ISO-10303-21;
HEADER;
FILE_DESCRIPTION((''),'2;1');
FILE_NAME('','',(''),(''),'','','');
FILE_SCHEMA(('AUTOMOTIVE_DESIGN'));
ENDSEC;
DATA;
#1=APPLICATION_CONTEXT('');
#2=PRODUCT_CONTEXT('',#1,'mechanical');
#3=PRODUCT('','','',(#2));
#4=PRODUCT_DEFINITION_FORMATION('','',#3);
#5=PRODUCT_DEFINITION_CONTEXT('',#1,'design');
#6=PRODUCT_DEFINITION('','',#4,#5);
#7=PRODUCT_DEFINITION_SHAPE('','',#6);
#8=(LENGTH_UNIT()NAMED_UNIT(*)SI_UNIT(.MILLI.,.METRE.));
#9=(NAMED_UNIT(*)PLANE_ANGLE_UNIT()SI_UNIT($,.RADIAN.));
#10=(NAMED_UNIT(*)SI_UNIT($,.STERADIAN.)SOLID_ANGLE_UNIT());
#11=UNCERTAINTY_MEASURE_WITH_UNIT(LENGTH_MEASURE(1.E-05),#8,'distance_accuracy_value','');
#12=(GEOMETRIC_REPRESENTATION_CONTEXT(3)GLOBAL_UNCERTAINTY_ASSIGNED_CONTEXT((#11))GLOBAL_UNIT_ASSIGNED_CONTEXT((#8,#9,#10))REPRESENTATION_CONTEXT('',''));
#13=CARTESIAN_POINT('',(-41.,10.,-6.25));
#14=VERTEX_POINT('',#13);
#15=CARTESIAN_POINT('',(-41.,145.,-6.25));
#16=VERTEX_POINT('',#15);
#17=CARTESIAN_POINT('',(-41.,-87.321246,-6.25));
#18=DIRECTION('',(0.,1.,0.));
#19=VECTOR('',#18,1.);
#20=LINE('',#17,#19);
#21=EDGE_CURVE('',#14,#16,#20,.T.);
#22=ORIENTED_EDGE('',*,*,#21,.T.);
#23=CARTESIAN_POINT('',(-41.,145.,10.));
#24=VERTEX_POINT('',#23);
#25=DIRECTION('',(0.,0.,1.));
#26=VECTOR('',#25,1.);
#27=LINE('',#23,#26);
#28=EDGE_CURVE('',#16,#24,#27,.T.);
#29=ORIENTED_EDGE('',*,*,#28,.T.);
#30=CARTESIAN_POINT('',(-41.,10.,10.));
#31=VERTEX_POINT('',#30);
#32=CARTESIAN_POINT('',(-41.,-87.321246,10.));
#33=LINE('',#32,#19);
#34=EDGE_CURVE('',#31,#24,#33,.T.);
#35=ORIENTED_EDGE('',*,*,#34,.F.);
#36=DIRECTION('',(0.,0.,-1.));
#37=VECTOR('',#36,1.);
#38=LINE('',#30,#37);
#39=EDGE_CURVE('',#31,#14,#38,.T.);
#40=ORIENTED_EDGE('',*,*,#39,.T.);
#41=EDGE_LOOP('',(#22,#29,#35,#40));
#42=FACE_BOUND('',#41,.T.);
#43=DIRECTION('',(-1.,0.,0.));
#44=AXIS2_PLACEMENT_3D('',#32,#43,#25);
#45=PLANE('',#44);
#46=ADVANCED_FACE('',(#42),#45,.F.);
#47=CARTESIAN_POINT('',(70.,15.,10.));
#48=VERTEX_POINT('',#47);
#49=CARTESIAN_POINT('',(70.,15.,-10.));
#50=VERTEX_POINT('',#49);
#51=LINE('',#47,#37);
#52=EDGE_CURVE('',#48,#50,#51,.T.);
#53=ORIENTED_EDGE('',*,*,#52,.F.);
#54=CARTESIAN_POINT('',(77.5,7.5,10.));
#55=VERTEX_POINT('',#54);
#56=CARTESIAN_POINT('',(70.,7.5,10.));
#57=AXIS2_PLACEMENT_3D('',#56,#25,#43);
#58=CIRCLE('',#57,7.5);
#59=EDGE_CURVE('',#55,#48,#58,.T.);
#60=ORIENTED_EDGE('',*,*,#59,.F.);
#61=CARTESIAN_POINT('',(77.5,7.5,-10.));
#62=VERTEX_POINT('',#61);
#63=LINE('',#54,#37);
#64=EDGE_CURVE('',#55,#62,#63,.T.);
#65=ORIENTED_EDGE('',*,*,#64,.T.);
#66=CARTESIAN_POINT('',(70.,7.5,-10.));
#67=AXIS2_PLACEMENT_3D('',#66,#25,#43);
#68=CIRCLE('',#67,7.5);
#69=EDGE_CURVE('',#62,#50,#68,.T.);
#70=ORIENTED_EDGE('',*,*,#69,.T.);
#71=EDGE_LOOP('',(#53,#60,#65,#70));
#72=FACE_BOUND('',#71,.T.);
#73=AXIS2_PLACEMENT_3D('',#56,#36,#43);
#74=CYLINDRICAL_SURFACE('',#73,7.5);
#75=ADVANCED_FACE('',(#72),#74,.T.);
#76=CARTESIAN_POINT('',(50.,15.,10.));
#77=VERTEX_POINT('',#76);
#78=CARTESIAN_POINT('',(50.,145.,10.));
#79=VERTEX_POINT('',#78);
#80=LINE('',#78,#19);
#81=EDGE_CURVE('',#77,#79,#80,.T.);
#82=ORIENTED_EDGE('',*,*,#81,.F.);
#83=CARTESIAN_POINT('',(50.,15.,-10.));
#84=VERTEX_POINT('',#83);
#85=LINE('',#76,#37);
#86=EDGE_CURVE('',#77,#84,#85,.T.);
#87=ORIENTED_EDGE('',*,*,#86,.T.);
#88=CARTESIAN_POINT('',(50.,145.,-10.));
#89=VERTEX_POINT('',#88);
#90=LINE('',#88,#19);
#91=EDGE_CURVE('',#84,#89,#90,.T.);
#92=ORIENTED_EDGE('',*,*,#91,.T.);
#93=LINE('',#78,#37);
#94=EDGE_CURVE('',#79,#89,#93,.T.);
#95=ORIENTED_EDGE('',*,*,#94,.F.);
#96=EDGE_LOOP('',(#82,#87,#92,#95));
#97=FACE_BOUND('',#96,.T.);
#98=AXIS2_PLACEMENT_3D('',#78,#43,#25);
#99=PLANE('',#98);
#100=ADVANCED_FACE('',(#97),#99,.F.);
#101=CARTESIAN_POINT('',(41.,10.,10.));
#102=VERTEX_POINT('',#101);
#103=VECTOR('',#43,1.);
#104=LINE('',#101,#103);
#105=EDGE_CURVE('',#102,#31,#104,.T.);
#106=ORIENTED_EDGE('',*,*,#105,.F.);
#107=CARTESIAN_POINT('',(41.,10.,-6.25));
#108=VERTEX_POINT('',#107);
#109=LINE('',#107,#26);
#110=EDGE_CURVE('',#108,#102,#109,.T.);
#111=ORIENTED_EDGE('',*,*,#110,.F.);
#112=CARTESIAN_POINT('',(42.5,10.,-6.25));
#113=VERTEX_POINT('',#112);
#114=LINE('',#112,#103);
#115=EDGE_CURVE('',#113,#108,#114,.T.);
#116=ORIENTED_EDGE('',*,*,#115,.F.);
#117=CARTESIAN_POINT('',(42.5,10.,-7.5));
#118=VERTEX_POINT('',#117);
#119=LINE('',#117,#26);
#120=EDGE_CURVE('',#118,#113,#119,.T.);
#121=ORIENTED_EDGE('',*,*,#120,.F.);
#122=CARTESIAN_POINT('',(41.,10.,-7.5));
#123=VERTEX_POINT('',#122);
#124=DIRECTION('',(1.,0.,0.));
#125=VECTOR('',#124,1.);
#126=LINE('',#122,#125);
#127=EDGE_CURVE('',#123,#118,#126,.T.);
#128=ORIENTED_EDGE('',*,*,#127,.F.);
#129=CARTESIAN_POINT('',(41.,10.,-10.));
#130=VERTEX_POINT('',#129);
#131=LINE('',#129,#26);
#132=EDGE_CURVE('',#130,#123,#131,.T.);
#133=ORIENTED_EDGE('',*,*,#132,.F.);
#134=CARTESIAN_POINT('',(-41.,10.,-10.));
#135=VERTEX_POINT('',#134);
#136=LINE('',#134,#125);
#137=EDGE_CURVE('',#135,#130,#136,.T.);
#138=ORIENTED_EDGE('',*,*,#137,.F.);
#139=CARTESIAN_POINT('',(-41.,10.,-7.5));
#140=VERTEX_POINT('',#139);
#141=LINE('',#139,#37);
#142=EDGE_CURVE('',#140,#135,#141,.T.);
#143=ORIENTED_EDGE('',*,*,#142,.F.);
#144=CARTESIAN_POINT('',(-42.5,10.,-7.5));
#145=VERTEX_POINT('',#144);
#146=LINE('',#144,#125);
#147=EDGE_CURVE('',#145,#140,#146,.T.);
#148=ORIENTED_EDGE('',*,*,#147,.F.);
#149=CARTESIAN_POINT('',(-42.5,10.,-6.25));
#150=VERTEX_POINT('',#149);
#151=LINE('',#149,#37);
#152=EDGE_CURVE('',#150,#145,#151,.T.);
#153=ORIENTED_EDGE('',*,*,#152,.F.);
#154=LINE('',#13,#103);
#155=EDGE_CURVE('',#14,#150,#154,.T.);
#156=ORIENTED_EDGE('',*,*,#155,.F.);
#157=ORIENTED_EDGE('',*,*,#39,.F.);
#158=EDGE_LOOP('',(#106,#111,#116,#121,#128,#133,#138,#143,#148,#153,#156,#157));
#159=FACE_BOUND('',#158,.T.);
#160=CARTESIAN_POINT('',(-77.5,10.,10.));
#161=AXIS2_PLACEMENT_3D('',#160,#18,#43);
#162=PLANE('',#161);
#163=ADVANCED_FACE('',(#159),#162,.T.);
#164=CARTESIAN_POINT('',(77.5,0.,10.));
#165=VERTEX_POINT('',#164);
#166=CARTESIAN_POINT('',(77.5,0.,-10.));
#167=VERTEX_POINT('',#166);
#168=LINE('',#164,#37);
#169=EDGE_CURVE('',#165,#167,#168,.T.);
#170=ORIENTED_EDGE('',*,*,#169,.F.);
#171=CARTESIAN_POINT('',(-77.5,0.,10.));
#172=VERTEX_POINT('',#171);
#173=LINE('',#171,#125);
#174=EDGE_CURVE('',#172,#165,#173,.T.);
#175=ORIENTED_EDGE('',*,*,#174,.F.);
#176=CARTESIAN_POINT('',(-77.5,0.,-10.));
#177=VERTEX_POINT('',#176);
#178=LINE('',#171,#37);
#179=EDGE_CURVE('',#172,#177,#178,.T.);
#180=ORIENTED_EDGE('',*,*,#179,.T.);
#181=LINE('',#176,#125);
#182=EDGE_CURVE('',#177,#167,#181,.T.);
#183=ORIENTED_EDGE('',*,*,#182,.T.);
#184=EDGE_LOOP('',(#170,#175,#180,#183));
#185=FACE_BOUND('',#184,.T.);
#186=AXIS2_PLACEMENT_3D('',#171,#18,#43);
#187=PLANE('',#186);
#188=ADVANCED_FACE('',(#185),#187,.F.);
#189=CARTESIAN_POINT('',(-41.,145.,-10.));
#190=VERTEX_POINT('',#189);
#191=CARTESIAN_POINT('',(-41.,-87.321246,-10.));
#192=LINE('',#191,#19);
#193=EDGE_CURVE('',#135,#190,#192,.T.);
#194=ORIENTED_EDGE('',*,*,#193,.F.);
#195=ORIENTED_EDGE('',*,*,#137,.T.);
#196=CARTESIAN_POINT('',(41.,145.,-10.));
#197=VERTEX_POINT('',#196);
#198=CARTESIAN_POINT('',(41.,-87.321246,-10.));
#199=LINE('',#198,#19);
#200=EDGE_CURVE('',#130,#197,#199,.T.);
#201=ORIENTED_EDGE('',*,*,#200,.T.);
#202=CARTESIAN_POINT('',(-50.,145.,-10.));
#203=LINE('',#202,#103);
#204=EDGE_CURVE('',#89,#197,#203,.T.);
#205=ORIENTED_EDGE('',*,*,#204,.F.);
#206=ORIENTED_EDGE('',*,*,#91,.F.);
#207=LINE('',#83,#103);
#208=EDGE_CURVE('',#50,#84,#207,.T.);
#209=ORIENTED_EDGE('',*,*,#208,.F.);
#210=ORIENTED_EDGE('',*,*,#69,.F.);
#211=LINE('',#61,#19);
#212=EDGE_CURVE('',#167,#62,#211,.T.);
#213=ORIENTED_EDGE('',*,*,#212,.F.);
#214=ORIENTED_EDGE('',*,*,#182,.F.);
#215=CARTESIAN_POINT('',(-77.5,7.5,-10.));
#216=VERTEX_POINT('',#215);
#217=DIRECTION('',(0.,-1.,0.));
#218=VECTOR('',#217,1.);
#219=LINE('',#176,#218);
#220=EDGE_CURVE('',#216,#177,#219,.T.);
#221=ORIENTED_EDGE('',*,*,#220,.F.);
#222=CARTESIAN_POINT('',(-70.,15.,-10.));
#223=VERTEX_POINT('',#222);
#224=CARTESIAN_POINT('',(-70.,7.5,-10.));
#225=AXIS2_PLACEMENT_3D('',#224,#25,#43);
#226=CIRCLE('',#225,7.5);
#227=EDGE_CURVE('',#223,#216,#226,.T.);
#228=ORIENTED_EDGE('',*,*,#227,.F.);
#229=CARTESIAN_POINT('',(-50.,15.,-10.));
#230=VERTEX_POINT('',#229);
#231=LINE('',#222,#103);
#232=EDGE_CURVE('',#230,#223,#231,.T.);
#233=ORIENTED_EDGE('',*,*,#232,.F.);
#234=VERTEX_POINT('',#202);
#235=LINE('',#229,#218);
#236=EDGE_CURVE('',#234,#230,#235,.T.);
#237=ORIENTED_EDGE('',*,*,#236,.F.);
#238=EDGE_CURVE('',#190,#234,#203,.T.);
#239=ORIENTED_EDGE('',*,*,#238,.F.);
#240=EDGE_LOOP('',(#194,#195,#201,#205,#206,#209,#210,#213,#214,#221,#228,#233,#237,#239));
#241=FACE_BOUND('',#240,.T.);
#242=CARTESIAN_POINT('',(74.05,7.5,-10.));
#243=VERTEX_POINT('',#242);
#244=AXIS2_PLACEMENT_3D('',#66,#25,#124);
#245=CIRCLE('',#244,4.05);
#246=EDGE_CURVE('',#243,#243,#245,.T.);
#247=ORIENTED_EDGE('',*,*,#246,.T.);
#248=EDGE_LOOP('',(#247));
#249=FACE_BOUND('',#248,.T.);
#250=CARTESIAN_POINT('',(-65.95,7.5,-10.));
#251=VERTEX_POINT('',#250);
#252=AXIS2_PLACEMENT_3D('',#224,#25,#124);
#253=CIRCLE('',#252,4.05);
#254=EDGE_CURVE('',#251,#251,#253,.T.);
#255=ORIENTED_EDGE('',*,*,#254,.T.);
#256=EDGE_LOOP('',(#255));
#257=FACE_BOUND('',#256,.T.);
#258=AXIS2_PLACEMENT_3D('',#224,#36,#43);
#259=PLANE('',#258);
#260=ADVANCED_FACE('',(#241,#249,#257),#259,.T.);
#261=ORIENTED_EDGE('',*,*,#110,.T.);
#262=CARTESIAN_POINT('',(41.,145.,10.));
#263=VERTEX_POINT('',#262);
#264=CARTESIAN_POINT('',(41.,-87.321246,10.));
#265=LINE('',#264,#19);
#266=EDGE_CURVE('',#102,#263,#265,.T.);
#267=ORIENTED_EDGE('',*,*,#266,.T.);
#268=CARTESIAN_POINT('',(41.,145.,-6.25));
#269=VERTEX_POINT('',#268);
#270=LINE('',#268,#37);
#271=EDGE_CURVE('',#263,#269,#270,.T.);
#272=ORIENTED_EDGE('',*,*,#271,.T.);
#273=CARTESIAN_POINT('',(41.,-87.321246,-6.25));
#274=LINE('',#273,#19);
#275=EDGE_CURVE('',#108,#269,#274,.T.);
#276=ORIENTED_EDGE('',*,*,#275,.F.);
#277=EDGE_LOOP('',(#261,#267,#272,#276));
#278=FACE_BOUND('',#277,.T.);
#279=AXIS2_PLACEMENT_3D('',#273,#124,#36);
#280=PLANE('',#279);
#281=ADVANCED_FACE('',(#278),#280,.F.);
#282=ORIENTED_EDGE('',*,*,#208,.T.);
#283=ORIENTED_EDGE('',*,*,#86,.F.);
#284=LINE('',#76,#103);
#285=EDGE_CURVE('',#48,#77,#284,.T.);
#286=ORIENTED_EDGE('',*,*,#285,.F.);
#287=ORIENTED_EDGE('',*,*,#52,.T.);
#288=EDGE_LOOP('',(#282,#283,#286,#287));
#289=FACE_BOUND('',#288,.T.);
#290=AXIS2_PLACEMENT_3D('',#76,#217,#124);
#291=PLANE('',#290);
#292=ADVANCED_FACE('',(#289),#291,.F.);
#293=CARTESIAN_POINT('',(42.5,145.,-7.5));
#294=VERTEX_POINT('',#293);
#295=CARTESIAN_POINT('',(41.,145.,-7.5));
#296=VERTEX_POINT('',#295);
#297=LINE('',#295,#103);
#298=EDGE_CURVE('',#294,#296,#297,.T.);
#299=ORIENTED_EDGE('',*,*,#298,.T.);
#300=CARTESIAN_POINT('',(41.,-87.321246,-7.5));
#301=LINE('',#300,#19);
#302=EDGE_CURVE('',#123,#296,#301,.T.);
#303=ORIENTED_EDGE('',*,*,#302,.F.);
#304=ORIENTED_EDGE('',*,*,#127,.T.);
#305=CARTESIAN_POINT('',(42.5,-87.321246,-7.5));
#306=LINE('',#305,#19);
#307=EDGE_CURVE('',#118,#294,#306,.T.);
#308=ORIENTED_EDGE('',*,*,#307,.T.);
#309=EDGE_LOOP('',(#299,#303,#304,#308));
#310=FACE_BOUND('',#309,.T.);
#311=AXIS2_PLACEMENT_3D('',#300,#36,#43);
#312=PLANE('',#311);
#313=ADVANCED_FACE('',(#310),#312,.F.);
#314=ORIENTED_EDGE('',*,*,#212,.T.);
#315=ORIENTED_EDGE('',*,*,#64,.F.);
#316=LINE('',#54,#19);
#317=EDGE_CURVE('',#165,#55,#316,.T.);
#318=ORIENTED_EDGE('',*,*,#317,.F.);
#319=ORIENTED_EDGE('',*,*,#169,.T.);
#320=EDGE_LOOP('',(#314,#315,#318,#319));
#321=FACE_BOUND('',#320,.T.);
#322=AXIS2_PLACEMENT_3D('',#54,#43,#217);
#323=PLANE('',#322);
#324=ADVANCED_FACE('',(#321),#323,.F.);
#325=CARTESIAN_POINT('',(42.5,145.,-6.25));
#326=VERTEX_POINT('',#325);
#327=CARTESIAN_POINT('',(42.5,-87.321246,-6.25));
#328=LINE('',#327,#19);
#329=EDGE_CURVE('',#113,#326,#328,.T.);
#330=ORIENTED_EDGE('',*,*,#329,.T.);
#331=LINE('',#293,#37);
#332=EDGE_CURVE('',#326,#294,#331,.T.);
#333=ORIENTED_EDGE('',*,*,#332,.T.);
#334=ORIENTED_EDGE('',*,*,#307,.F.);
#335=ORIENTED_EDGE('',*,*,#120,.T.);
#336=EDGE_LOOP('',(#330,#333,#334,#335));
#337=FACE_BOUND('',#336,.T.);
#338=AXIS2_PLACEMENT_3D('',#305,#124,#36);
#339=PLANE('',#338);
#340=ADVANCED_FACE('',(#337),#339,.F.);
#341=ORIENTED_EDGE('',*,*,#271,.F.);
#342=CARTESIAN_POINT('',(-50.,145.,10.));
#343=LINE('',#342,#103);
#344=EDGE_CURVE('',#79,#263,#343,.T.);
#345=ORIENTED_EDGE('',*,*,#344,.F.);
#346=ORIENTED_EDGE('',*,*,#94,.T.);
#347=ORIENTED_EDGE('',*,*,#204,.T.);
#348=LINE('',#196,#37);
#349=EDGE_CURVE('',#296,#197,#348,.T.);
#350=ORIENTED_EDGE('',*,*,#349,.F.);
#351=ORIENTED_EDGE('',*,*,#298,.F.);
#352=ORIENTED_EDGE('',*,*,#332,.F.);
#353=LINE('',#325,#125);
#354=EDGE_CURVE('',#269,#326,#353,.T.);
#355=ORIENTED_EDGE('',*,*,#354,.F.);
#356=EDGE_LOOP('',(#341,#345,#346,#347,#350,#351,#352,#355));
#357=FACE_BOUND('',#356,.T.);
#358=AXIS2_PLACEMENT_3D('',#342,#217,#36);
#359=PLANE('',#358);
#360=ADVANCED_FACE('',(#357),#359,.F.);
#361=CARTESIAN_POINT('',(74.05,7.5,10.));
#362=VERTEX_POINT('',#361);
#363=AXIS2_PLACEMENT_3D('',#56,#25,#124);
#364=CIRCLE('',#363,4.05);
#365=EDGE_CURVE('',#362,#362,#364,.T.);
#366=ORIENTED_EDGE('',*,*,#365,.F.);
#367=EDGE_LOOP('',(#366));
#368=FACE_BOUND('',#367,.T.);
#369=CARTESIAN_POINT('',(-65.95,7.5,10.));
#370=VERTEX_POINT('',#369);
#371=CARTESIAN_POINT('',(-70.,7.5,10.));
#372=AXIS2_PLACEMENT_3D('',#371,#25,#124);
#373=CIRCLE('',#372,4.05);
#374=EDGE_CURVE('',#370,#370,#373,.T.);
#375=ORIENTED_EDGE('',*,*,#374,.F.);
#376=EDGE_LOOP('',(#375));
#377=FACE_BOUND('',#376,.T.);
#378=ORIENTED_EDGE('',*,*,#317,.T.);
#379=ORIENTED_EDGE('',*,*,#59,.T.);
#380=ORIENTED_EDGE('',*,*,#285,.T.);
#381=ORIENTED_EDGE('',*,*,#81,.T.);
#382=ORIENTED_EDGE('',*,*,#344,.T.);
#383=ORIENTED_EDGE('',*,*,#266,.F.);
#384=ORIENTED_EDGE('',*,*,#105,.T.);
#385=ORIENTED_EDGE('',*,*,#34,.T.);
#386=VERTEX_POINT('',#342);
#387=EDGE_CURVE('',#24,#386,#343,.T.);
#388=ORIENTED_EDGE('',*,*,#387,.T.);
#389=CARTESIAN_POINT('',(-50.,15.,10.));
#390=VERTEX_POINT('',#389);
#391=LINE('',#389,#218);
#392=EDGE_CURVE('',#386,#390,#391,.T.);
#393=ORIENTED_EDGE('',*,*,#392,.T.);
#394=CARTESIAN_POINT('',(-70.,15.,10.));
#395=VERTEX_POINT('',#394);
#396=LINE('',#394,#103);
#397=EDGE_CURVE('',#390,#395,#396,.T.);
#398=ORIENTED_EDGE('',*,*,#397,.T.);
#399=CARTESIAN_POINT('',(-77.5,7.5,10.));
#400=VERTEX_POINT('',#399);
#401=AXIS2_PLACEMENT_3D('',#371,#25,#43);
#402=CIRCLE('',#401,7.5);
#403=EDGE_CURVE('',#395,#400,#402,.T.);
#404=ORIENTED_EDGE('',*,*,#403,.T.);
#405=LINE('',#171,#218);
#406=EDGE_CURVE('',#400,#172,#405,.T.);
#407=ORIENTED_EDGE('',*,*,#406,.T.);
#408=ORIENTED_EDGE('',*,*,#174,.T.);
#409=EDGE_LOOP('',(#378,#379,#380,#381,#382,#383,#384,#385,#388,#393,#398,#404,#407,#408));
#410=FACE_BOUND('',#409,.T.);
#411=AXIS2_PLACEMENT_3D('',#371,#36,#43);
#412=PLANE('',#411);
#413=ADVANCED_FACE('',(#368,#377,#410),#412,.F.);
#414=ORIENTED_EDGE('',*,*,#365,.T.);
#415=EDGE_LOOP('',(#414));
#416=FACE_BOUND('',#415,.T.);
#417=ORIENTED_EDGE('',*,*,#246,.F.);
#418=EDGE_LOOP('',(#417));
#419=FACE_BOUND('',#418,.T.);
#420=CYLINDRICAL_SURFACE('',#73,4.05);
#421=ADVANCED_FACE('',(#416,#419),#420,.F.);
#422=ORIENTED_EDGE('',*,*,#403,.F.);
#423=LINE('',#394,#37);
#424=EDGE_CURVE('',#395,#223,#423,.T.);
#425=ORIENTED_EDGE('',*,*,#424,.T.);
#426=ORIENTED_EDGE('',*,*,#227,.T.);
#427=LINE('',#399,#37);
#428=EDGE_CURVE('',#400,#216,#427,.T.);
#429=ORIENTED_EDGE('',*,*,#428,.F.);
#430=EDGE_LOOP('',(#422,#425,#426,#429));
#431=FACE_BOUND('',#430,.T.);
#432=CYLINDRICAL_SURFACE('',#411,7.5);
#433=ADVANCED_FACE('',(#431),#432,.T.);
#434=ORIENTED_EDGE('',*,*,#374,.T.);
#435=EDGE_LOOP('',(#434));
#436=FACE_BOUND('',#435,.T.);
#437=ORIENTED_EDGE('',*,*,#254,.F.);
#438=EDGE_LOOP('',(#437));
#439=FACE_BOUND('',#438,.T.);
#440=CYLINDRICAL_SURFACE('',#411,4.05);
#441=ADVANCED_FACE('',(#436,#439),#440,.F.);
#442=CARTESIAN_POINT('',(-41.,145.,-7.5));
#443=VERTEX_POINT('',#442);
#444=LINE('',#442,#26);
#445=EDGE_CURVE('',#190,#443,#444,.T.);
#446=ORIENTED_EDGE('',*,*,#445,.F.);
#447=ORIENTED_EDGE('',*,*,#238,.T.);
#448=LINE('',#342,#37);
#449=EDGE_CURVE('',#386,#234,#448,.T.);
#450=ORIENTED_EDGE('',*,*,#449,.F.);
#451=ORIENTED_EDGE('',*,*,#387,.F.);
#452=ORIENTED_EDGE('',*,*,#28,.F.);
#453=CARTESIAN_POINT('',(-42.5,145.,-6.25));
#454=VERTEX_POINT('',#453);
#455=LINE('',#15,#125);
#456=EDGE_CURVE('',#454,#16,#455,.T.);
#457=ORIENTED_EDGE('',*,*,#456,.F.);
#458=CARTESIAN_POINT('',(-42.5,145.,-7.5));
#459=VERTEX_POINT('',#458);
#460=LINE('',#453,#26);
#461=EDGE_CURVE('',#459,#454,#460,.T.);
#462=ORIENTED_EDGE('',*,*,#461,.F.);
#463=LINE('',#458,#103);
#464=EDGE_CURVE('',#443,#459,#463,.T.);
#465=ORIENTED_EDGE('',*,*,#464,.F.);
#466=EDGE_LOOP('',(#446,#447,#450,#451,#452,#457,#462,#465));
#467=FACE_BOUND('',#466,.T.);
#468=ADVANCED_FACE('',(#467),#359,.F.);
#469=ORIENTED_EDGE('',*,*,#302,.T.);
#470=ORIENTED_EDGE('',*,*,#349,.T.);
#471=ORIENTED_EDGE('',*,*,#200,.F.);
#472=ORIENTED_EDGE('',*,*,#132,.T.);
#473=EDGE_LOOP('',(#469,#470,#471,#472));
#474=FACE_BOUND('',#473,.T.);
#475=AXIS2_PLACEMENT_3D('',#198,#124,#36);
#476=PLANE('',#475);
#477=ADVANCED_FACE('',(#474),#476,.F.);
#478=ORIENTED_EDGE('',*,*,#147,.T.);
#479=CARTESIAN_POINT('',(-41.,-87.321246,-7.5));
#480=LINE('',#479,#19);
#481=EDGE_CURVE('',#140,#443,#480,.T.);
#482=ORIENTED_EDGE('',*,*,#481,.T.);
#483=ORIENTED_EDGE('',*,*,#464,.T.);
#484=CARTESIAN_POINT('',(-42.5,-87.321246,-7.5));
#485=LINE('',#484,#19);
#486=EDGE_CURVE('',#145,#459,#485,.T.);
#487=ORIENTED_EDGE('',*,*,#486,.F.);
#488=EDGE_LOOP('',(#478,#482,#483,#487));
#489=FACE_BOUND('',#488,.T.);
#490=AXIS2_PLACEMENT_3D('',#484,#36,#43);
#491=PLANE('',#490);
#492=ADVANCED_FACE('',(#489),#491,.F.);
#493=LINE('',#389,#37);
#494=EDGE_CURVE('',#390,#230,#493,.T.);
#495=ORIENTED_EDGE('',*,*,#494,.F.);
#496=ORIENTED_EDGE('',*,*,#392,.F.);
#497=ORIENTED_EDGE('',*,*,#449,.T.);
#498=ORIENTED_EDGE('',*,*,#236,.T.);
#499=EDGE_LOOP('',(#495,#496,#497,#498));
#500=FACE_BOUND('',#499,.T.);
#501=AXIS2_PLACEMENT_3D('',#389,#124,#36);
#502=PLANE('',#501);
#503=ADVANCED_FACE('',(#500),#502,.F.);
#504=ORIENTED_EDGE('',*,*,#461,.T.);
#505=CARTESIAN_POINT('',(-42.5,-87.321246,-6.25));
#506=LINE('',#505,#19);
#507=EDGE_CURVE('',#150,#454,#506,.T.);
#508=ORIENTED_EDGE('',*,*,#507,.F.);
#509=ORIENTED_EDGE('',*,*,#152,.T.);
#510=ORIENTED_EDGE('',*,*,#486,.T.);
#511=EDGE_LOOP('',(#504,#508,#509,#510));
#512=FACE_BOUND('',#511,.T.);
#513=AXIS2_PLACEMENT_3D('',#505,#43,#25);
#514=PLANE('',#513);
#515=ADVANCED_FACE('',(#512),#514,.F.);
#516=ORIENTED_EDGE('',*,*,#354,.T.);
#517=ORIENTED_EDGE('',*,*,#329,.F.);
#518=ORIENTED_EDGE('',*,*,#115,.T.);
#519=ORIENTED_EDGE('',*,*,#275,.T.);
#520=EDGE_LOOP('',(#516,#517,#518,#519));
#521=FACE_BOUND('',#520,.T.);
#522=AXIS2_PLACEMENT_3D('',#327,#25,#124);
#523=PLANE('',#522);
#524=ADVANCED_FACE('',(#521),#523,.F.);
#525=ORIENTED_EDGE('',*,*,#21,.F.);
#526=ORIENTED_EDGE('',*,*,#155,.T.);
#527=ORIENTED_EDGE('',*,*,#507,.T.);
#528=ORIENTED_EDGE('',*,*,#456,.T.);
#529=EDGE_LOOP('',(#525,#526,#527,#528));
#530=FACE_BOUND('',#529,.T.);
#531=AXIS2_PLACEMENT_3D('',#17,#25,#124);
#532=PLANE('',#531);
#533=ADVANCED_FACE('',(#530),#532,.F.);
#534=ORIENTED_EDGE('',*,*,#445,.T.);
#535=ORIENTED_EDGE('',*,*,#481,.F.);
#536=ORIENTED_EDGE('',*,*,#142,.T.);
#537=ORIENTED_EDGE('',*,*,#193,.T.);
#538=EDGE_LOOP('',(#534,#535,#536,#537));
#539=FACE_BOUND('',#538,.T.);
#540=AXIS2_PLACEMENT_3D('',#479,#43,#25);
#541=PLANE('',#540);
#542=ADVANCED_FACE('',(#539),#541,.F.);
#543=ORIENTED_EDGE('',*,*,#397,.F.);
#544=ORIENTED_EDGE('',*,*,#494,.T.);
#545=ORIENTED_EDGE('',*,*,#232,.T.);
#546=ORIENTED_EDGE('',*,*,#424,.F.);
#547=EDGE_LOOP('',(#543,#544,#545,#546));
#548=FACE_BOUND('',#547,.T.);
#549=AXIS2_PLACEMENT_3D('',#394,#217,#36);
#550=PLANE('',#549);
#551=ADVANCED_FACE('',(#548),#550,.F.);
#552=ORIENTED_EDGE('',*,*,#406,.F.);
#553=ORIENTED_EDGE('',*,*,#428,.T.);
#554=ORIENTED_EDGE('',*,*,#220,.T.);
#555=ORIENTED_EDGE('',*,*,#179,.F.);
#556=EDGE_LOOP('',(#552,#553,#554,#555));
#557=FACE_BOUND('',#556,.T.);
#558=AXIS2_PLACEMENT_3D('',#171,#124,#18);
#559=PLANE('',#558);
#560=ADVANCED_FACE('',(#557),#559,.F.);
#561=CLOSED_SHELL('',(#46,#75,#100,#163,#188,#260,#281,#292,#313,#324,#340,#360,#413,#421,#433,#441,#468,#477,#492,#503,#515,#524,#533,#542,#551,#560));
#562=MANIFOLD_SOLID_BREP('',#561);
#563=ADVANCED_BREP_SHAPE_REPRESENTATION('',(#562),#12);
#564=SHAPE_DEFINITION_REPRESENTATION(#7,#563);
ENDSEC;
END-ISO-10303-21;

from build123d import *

# Parameters (mm, degrees)
SKETCH1_R           = 4.05
BOSS_EXTRUDE1_DEPTH = 10
CUT_EXTRUDE1_DEPTH  = 135


with BuildPart() as part:
    # Sketch1 → Boss-Extrude1 (new, symmetric)
    with BuildSketch(Plane.XY):
        with BuildLine():
            Line((-77.5, 0), (77.5, 0))
            Line((77.5, 0), (77.5, 7.5))
            ThreePointArc((77.5, 7.5), (75.303300859, 12.803300859), (70, 15))
            Line((70, 15), (50, 15))
            Line((50, 15), (50, 145))
            Line((50, 145), (-50, 145))
            Line((-50, 145), (-50, 15))
            Line((-50, 15), (-70, 15))
            ThreePointArc((-70, 15), (-75.303300859, 12.803300859), (-77.5, 7.5))
            Line((-77.5, 7.5), (-77.5, 0))
        make_face()
        with Locations((-70, 7.5)):
            Circle(SKETCH1_R, mode=Mode.SUBTRACT)
        with Locations((70, 7.5)):
            Circle(SKETCH1_R, mode=Mode.SUBTRACT)
    extrude(amount=BOSS_EXTRUDE1_DEPTH, both=True)

    # Sketch2 → Cut-Extrude1 (cut)
    with BuildSketch(Plane(origin=(0, 145, 0), x_dir=(1, 0, 0), z_dir=(0, 1, 0))):
        Polygon((-41, -10), (-41, 6.25), (-42.5, 6.25), (-42.5, 7.5), (-41, 7.5), (-41, 10), (41, 10), (41, 7.5), (42.5, 7.5), (42.5, 6.25), (41, 6.25), (41, -10), align=None)
    extrude(amount=-CUT_EXTRUDE1_DEPTH, mode=Mode.SUBTRACT)


solid = part.part
